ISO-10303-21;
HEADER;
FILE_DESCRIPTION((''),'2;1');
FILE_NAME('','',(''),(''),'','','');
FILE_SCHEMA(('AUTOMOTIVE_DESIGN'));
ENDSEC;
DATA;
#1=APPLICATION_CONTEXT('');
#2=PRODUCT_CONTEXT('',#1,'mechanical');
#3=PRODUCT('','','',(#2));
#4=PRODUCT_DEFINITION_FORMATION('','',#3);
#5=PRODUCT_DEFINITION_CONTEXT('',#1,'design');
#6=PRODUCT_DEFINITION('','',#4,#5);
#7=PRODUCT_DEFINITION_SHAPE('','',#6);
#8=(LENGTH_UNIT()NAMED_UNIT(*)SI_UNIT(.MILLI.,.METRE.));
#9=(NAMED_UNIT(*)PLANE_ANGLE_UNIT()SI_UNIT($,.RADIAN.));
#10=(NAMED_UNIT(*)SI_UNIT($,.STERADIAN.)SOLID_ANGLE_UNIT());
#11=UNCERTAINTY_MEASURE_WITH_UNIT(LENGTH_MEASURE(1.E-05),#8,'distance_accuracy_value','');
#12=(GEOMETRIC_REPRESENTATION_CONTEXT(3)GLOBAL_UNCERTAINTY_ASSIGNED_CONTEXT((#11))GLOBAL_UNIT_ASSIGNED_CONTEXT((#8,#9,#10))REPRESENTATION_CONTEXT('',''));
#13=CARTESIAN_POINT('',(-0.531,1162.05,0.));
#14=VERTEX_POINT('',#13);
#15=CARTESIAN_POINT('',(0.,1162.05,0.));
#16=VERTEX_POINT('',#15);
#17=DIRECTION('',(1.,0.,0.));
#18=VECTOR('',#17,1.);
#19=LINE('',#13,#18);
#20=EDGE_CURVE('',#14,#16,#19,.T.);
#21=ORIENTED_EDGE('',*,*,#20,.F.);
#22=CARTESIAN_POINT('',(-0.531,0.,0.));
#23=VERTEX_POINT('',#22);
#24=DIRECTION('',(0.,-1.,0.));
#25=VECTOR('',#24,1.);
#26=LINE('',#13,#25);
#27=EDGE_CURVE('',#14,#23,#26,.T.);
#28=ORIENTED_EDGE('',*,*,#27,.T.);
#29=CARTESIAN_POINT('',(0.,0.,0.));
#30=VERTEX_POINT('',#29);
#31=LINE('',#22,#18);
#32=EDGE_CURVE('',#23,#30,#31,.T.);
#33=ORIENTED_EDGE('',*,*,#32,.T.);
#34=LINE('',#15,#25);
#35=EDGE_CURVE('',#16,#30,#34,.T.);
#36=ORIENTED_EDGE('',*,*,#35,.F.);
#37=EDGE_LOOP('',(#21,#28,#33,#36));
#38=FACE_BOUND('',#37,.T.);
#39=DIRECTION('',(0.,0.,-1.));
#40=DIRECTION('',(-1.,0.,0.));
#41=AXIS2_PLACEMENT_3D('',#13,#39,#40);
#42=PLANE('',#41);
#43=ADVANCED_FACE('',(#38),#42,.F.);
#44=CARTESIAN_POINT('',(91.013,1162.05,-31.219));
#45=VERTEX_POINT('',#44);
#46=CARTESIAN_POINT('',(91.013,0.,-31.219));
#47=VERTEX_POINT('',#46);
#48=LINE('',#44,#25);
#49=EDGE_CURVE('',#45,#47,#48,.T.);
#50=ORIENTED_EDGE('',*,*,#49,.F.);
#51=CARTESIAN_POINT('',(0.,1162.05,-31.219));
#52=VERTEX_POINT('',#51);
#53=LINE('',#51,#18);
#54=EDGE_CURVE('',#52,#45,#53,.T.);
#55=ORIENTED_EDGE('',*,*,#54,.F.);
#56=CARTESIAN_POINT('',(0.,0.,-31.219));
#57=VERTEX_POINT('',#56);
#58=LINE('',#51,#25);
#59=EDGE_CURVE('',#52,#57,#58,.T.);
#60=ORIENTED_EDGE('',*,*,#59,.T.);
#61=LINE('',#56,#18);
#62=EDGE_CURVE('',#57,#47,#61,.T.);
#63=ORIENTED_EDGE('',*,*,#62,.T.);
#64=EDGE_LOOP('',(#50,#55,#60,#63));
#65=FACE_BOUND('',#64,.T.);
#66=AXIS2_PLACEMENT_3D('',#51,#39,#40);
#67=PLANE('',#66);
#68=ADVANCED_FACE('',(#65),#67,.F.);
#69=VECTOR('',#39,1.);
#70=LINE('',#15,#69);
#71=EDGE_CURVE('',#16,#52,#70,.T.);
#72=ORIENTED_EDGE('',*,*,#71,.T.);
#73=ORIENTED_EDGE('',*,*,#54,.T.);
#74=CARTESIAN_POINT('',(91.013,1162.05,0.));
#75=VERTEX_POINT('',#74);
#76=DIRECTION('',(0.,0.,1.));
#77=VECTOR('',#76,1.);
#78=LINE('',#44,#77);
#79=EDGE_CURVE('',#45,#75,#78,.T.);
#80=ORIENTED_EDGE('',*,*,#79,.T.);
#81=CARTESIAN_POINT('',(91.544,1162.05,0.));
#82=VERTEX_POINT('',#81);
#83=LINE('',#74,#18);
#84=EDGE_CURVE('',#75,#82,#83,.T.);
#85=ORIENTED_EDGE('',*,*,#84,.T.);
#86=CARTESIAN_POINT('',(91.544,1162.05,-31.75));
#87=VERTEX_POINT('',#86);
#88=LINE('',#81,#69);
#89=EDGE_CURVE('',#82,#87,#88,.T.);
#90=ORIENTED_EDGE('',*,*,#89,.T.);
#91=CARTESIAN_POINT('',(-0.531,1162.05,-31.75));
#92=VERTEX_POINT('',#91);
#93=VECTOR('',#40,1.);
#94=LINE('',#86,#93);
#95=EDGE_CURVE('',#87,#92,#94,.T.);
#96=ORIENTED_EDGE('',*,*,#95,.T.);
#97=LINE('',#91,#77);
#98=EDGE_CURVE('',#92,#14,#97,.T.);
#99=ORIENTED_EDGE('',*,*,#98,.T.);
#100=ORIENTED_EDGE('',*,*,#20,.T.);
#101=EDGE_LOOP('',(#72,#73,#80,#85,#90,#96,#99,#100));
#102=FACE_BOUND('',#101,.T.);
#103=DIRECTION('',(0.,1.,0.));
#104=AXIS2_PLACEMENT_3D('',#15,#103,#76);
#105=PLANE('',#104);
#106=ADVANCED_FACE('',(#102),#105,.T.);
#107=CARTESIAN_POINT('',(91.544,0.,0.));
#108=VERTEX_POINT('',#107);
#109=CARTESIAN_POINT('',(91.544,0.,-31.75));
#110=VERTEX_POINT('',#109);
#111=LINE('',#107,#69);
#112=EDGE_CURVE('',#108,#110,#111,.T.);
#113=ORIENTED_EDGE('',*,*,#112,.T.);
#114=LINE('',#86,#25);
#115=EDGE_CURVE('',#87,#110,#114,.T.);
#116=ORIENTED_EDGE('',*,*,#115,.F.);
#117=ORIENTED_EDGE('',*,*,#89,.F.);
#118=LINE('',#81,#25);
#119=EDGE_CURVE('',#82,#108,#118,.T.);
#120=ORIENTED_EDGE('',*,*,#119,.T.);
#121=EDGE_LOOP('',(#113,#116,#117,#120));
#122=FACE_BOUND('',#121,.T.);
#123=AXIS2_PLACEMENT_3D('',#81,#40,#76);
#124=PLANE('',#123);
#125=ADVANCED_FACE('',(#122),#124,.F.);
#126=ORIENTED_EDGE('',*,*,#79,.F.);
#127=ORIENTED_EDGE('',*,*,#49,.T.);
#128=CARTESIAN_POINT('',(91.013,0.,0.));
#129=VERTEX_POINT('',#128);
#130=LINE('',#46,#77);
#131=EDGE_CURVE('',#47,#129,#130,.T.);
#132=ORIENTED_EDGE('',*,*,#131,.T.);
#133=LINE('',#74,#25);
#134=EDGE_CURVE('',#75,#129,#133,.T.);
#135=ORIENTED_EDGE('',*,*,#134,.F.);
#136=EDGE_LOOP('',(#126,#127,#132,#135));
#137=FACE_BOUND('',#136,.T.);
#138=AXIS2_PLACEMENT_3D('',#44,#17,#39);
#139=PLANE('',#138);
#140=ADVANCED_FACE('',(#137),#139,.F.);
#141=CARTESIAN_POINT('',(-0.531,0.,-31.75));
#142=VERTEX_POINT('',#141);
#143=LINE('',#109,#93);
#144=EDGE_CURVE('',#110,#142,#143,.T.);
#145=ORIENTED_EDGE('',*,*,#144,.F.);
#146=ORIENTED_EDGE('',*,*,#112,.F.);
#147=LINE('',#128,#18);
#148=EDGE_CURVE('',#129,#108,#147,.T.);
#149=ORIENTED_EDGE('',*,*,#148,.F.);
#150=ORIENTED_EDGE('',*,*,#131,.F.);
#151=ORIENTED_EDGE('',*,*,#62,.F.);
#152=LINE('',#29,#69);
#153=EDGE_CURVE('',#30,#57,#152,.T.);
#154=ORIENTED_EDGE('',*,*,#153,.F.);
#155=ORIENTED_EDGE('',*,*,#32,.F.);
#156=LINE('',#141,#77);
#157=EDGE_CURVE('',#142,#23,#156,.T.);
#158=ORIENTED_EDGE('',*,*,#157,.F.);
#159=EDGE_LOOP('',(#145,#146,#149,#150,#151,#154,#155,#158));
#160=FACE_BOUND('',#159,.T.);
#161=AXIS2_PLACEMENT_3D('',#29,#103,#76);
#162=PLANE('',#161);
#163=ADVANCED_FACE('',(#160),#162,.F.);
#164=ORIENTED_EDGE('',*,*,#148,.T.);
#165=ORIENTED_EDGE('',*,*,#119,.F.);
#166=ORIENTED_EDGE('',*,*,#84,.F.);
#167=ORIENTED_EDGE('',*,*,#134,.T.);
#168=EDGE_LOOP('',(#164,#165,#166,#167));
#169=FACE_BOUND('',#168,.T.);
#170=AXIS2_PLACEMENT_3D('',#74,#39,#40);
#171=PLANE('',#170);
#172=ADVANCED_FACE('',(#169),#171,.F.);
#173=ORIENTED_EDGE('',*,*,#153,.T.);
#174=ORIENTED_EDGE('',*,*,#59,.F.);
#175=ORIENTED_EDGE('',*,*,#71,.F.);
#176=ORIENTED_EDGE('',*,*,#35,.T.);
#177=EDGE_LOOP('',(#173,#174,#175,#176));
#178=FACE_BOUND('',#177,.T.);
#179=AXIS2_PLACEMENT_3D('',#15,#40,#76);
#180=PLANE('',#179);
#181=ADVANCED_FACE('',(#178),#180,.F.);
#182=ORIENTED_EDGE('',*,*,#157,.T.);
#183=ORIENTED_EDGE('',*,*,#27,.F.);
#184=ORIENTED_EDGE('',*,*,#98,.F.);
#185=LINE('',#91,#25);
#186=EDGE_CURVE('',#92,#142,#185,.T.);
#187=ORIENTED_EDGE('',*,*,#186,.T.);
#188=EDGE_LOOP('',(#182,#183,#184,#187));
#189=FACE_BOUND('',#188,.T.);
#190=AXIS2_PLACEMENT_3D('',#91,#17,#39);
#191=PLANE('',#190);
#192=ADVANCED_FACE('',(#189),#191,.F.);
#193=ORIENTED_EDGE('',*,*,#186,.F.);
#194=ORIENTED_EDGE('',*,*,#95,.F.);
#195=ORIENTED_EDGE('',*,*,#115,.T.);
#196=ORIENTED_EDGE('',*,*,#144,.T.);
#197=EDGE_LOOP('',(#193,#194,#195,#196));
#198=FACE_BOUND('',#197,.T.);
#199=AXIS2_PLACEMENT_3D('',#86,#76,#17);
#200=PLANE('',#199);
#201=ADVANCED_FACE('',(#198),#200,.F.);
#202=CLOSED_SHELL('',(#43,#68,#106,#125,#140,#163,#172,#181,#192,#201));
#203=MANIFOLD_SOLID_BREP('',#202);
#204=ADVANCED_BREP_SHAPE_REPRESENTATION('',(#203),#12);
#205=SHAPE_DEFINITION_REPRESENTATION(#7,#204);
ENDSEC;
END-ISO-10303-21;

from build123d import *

# Parameters (mm, degrees)
BOSS_EXTRUDE1_DEPTH = 1162.05


with BuildPart() as part:
    # Sketch1 → Boss-Extrude1 (new body)
    with BuildSketch(Plane(origin=(0, 0, 0), x_dir=(1, 0, 0), z_dir=(0, 1, 0))):
        Polygon((0, 0), (0, 31.219), (91.013, 31.219), (91.013, 0), (91.544, 0), (91.544, 31.75), (-0.531, 31.75), (-0.531, 0), align=None)
    extrude(amount=BOSS_EXTRUDE1_DEPTH)


solid = part.part
